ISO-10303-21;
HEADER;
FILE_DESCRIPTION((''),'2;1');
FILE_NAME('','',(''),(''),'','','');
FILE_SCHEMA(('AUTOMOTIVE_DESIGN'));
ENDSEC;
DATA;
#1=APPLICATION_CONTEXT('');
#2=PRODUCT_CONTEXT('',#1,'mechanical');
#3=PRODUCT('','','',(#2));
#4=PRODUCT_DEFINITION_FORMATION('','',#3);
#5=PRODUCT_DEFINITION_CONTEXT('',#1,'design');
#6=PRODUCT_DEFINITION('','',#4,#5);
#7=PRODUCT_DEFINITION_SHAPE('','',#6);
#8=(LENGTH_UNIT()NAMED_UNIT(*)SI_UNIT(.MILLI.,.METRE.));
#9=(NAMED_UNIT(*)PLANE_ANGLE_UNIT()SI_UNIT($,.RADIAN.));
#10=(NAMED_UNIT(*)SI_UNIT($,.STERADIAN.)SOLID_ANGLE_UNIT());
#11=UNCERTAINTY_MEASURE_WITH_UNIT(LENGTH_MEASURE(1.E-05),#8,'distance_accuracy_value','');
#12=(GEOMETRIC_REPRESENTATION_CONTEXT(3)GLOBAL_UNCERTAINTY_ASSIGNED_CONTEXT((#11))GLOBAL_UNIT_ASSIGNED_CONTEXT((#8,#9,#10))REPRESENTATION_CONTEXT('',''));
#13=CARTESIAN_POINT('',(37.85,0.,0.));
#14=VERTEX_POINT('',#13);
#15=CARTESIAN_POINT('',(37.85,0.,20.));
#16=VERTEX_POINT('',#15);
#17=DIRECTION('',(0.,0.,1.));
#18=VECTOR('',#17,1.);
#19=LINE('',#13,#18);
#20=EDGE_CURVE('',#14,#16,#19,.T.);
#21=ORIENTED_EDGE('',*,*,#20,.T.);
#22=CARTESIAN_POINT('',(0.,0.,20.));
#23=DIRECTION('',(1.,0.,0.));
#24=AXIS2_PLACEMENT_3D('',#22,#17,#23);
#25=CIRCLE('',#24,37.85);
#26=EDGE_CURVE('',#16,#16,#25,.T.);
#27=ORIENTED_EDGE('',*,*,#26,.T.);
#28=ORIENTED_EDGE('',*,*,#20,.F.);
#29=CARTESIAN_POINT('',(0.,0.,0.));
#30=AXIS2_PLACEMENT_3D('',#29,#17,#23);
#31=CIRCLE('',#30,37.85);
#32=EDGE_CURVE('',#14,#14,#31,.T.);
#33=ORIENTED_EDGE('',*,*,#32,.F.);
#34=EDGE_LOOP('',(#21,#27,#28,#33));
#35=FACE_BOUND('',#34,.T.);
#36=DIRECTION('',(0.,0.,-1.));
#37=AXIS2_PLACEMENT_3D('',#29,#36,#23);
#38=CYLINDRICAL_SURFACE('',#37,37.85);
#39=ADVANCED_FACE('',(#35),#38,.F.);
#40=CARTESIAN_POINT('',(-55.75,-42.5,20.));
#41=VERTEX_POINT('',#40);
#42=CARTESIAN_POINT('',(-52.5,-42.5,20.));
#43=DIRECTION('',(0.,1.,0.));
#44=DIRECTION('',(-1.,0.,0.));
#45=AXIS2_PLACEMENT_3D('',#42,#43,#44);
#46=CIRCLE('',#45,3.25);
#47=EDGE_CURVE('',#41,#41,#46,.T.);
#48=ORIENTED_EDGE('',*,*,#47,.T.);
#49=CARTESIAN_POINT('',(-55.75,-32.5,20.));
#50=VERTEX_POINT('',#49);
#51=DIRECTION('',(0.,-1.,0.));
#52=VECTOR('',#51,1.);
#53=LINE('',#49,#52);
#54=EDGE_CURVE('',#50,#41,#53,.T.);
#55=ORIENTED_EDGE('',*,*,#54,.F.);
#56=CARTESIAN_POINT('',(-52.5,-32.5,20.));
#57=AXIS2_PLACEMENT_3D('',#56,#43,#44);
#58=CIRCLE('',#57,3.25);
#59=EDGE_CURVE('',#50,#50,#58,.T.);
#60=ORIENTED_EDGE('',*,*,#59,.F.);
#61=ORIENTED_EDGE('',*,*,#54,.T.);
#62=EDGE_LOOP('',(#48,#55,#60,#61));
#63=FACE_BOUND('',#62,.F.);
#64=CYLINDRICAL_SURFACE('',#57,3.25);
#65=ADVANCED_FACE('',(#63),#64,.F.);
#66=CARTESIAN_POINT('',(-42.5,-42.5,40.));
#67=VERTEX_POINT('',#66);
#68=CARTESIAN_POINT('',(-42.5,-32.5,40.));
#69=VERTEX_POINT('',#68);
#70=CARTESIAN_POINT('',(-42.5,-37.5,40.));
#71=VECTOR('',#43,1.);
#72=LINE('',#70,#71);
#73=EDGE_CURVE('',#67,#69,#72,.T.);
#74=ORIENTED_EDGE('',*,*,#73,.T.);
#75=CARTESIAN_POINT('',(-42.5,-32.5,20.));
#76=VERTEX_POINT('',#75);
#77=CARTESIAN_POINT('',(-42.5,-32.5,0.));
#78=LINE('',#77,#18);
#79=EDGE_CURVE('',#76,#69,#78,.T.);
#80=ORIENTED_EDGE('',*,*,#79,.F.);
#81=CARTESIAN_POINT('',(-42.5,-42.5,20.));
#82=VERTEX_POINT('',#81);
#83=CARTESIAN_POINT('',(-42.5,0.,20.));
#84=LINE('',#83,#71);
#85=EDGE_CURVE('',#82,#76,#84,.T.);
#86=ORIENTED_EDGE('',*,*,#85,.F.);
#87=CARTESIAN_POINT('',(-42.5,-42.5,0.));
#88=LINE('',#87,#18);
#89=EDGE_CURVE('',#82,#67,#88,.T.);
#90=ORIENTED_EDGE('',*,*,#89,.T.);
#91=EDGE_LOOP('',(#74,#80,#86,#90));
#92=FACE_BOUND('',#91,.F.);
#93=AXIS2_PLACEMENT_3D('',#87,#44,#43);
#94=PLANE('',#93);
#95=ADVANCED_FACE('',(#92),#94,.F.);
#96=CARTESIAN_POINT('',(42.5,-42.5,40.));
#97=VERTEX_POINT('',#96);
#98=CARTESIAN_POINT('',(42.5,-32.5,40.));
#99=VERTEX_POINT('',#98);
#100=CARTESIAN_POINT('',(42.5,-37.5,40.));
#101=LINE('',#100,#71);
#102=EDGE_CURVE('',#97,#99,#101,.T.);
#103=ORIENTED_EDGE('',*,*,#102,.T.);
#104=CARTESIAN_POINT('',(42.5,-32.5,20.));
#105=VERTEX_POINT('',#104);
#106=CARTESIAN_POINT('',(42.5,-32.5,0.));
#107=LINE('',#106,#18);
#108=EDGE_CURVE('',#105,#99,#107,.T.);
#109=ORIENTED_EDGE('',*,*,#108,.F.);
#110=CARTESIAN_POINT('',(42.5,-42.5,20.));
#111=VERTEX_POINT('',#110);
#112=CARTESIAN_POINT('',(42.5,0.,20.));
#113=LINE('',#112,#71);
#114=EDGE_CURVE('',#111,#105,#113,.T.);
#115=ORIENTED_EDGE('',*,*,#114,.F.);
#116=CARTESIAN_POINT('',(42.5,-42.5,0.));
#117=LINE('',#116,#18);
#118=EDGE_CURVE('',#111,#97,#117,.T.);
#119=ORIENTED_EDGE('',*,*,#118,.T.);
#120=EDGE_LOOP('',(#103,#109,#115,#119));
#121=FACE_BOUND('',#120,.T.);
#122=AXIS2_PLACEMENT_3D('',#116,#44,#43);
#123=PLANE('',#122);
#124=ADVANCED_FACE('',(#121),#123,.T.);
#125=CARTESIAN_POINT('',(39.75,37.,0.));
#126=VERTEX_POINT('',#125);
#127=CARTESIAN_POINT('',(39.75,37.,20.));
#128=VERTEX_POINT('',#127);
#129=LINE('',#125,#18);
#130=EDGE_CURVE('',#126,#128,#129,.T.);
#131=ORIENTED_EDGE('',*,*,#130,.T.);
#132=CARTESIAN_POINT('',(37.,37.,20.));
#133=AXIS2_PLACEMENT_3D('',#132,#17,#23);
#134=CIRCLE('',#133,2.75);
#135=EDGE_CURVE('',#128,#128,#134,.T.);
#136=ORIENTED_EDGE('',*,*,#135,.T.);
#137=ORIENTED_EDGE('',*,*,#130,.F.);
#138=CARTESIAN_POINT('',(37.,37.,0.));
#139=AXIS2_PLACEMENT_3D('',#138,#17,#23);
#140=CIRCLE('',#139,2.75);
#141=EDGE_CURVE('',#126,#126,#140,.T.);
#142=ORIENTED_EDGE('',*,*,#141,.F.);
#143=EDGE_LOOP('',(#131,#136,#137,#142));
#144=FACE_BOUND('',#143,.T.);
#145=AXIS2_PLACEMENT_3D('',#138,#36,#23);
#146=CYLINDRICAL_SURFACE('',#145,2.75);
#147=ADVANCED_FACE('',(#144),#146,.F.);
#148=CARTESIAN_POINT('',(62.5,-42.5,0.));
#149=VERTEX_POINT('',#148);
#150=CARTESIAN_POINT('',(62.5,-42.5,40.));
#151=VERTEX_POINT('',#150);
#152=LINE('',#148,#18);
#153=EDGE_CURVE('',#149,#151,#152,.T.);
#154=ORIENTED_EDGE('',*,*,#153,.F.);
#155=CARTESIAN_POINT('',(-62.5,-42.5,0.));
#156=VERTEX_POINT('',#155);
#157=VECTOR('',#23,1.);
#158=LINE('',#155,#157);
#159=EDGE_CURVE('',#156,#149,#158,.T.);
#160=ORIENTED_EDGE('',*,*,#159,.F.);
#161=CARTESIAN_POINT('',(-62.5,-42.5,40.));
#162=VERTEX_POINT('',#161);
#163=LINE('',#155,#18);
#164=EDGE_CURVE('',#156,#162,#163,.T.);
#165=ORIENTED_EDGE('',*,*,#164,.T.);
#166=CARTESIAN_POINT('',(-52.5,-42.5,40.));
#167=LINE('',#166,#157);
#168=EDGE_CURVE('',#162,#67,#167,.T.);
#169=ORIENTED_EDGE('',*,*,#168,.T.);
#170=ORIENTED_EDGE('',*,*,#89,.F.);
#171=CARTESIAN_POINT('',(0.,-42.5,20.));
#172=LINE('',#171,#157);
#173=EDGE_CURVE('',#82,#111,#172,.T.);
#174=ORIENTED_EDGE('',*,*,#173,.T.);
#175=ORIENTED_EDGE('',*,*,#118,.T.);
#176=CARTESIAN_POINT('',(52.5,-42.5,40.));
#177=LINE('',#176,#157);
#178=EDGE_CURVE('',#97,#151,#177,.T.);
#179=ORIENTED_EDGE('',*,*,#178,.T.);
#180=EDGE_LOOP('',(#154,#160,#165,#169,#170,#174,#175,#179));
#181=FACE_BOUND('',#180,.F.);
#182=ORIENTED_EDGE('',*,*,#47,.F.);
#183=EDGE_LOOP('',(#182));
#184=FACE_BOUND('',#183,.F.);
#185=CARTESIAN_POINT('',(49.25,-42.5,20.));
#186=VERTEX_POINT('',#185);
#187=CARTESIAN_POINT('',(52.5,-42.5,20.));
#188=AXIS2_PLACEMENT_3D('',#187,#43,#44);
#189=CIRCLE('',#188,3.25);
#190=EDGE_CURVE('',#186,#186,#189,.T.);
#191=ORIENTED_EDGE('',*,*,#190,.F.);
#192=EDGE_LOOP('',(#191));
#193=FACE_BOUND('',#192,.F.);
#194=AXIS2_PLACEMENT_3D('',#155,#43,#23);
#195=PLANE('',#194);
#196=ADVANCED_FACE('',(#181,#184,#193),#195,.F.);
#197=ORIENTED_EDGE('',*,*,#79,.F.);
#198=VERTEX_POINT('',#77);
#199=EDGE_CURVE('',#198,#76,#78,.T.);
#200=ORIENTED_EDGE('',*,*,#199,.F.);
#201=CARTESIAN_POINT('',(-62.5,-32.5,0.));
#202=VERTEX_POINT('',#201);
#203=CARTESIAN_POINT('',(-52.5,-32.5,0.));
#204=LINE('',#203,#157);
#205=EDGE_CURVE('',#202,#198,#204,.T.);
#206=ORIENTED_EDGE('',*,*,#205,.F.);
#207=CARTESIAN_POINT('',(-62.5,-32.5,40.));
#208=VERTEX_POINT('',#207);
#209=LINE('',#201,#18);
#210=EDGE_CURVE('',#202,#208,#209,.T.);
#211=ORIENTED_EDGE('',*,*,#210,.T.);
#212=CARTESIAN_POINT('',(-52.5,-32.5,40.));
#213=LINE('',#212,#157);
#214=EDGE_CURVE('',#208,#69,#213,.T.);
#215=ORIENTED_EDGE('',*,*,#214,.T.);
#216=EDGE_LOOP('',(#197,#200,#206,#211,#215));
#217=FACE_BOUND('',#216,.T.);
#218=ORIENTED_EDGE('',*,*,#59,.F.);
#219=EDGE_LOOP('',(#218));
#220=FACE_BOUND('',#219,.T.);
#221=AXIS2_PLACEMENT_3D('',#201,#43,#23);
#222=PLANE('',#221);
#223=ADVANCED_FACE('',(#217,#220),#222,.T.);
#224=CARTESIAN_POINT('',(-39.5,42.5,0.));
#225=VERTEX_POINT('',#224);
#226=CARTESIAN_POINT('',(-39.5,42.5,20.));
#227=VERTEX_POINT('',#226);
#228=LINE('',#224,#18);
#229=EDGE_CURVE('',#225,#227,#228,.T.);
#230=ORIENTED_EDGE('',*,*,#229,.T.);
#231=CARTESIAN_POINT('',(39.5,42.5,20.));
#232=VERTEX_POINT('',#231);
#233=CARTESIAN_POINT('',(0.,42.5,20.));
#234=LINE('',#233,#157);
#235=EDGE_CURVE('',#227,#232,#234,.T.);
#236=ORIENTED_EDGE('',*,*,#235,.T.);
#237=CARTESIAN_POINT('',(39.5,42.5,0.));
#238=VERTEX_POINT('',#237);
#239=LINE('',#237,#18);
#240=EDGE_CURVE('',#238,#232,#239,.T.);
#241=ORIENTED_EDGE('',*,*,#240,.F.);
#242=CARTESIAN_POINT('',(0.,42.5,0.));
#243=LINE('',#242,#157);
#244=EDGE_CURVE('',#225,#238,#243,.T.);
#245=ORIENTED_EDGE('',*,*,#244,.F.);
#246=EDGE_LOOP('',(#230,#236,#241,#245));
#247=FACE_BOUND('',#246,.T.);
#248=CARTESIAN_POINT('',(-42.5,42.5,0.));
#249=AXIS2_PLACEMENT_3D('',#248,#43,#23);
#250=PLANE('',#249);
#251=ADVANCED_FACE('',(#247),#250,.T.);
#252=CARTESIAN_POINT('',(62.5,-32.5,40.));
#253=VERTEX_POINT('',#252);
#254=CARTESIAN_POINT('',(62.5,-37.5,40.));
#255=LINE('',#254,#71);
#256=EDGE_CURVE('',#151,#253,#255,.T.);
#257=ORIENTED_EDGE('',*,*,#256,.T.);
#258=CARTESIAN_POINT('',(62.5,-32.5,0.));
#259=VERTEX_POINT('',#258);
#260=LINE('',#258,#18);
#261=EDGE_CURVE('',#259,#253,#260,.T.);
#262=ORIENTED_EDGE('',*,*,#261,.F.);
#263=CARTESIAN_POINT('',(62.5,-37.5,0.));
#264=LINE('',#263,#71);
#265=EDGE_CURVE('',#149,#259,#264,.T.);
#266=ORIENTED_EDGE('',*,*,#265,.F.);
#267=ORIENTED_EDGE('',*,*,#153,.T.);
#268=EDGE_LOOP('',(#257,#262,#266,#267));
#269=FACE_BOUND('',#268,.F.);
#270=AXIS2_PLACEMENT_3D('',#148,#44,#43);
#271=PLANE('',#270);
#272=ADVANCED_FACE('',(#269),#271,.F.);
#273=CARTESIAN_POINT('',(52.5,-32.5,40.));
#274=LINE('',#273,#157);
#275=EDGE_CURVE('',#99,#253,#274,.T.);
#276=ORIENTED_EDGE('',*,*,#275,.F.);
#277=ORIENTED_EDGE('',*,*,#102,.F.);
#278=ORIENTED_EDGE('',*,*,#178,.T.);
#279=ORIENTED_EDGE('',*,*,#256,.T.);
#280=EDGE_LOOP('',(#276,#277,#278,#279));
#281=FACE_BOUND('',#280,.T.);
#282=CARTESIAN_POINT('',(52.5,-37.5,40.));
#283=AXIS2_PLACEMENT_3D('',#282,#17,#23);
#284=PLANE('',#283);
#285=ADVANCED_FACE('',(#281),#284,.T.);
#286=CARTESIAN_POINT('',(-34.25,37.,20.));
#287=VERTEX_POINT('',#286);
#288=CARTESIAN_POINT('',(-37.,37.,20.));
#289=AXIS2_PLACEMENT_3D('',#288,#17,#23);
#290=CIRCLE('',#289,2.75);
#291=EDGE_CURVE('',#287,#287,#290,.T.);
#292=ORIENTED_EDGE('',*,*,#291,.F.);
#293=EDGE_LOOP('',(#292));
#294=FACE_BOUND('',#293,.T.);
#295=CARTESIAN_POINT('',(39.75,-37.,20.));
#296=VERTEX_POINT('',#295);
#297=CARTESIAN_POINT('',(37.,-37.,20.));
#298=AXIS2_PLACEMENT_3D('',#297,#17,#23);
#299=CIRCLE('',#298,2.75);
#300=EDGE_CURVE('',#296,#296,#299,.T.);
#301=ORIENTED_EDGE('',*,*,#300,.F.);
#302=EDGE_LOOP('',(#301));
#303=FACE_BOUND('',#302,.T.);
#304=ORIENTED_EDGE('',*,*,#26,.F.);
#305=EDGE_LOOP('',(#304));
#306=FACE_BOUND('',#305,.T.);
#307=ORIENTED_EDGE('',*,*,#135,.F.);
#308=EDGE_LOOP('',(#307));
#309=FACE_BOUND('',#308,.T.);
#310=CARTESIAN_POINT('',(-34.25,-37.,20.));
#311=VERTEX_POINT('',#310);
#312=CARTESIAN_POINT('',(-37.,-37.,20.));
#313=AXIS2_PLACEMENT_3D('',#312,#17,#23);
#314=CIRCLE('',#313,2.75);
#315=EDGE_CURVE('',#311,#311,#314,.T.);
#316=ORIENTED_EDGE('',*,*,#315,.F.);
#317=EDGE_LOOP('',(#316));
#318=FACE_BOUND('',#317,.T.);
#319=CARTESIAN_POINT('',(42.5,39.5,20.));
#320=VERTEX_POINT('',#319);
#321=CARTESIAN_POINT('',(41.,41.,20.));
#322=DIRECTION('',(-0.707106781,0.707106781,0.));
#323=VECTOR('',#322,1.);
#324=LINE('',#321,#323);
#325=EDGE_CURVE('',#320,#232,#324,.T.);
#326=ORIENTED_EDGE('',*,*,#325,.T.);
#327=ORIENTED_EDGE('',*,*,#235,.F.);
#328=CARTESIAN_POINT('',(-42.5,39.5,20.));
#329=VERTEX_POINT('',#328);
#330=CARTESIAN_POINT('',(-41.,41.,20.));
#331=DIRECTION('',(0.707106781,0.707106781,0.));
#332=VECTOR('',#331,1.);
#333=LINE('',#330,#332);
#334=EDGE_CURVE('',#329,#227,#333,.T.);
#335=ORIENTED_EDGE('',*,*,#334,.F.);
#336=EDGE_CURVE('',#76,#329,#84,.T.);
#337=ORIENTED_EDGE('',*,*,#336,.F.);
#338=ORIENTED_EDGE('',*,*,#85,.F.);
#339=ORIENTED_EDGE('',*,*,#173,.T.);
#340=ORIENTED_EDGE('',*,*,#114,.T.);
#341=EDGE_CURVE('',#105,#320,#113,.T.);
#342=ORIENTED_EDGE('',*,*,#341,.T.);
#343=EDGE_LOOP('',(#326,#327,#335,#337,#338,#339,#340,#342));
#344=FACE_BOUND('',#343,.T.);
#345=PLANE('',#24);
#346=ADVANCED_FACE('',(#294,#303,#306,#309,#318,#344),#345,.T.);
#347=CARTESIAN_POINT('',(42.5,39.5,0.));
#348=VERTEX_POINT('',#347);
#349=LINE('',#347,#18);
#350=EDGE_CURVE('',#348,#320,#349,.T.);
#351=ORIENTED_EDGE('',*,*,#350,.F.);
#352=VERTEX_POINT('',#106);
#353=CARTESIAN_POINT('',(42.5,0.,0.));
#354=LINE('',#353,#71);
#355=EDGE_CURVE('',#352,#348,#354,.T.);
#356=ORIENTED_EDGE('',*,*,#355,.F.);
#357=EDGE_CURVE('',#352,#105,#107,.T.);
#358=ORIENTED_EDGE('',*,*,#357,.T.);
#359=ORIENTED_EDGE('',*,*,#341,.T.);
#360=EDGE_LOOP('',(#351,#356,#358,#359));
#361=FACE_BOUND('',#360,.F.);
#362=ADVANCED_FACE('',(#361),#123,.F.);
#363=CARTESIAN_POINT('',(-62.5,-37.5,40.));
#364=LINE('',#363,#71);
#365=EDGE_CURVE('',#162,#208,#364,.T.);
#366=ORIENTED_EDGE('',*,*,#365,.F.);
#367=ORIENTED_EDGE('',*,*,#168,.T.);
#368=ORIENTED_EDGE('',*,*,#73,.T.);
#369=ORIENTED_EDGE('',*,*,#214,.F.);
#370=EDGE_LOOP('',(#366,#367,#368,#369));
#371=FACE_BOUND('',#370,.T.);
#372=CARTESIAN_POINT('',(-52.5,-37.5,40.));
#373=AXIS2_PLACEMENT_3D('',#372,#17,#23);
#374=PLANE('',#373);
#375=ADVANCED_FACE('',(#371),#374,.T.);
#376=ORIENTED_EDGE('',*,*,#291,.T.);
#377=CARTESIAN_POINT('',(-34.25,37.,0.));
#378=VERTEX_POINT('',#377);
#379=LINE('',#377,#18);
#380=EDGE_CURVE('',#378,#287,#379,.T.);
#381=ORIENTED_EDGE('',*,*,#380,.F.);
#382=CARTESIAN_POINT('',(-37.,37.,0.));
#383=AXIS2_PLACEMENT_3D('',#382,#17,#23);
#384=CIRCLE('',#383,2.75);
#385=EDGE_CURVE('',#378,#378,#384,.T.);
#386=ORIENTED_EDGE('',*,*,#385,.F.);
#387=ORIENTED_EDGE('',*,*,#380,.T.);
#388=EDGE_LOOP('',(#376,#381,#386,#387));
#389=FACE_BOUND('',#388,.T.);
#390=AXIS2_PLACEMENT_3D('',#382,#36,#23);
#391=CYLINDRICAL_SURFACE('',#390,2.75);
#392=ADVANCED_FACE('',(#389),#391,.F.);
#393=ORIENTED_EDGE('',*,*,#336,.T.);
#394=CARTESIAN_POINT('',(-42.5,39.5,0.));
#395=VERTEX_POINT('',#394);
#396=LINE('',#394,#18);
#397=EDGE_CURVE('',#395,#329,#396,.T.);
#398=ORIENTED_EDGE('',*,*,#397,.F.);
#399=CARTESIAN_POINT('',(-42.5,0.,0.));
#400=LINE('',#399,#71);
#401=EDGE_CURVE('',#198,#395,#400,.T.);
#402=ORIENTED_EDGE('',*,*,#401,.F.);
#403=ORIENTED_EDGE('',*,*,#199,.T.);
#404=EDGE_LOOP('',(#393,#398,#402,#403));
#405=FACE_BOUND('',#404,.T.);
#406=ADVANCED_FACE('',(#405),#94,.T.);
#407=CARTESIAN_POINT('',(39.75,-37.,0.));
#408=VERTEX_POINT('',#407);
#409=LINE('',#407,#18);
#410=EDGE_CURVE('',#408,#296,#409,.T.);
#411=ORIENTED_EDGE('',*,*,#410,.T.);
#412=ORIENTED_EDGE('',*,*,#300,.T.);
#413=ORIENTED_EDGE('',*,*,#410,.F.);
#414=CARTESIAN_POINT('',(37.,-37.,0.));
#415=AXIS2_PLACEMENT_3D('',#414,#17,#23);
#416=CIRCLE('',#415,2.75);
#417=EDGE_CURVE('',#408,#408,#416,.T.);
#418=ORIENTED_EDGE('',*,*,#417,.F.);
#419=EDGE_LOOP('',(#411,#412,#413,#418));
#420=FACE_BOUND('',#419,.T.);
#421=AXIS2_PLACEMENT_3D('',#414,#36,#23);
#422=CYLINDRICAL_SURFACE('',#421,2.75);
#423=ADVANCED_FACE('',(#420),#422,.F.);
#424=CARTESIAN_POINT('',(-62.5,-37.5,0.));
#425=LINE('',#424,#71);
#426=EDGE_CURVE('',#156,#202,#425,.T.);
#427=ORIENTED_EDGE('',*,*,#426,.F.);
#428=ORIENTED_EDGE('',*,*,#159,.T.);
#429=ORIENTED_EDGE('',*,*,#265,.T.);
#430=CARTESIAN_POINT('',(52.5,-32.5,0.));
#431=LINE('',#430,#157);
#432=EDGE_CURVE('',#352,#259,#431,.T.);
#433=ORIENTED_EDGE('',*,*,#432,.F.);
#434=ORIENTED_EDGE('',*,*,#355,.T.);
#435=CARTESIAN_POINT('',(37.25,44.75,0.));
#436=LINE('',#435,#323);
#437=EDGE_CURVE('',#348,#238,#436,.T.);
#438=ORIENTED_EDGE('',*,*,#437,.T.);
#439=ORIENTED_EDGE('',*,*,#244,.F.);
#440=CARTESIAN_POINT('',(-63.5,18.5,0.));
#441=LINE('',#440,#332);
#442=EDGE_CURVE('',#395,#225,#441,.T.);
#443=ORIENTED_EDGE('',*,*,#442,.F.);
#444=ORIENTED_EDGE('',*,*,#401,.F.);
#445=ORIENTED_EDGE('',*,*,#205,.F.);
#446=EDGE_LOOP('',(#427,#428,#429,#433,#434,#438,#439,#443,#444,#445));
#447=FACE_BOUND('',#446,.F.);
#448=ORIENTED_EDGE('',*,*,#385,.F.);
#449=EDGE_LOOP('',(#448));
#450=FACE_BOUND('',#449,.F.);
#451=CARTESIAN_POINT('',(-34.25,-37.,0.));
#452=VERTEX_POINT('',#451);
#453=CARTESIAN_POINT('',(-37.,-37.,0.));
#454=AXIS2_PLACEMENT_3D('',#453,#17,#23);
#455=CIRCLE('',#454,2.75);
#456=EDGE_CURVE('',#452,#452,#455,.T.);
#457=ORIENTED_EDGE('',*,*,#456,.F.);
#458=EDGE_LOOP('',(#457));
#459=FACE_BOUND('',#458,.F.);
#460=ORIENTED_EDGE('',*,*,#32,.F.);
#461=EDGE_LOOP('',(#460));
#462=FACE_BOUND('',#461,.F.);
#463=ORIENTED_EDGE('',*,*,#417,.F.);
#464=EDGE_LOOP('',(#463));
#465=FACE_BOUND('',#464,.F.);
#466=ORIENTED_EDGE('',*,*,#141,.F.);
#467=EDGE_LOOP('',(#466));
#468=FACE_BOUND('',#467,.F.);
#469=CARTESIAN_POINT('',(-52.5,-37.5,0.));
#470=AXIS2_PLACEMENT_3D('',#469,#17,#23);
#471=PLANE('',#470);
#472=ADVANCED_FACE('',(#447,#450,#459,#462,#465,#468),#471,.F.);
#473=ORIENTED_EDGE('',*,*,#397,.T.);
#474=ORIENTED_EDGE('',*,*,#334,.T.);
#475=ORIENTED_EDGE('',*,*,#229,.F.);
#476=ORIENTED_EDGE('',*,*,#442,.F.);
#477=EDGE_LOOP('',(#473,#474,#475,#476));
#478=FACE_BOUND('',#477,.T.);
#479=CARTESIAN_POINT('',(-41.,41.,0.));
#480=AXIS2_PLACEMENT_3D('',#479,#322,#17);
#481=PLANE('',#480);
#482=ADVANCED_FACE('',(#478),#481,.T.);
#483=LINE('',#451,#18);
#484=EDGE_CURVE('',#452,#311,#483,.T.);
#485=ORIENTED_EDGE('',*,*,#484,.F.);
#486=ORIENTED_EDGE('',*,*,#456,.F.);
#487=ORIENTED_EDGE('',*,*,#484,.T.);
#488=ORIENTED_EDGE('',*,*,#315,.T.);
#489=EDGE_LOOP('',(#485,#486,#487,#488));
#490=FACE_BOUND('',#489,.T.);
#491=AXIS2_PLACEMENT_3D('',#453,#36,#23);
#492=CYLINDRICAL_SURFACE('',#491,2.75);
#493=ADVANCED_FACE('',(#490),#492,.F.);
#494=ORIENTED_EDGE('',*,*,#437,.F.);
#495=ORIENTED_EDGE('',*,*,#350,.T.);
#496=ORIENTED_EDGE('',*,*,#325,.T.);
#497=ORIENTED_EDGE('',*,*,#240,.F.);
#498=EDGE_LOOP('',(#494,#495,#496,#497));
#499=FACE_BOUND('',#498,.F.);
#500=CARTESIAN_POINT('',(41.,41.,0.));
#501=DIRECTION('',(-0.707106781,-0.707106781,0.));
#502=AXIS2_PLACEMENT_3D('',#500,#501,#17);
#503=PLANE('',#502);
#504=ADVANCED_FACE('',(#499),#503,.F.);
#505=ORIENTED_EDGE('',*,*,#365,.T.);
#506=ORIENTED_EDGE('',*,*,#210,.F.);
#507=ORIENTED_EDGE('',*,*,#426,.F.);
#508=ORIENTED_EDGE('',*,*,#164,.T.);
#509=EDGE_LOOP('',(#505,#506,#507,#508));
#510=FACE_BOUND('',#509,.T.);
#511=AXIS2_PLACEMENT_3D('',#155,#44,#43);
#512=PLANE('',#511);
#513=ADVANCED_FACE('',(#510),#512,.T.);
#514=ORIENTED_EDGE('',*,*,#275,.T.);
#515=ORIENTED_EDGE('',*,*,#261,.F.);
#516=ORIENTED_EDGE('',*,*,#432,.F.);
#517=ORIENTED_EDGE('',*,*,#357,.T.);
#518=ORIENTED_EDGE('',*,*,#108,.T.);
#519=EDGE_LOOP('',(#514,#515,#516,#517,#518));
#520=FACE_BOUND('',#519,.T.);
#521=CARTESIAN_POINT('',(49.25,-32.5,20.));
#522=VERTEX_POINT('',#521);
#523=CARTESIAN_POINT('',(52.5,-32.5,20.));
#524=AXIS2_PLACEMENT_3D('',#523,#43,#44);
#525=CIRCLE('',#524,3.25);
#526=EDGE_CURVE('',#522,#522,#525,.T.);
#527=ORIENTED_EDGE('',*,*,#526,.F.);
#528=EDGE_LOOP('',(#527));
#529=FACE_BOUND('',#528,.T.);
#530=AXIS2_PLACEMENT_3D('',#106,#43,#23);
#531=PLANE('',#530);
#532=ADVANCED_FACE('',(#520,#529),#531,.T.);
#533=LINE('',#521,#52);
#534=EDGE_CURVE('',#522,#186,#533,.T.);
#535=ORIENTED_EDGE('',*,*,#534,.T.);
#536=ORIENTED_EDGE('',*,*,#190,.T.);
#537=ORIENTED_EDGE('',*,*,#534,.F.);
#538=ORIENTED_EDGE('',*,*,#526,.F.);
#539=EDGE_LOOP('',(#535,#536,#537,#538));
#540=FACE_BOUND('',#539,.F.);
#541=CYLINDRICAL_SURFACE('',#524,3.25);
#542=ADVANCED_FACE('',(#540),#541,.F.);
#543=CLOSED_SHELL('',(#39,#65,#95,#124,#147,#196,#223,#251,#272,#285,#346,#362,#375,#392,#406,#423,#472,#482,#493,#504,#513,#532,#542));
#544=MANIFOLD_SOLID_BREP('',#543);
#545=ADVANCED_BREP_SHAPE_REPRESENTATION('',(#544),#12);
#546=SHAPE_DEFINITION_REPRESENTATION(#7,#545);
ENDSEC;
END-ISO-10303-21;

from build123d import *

# Parameters (mm, degrees)
F0_W     = 85
F0_H     = 85
F0_R     = 2.75
F0_R_2   = 37.85
F1_DEPTH = 20
F2_W     = 20
F2_H     = 10
F3_DEPTH = 40
F4_R     = 3.25
F5_DEPTH = 10.001
F6_SIZE  = 3


with BuildPart() as f1:
    # F0 (on Top) → F1 (new body)
    with BuildSketch(Plane.XY):
        Rectangle(F0_W, F0_H)
        with Locations((-37, -37)):
            Circle(F0_R, mode=Mode.SUBTRACT)
        with Locations((37, -37)):
            Circle(F0_R, mode=Mode.SUBTRACT)
        with Locations((-37, 37)):
            Circle(F0_R, mode=Mode.SUBTRACT)
        Circle(F0_R_2, mode=Mode.SUBTRACT)
        with Locations((37, 37)):
            Circle(F0_R, mode=Mode.SUBTRACT)
    extrude(amount=F1_DEPTH)

    # F2 (on Top) → F3 (join)
    with BuildSketch(Plane.XY):
        with Locations((-52.5, -37.5)):
            Rectangle(F2_W, F2_H)
        with Locations((52.5, -37.5)):
            Rectangle(F2_W, F2_H)
    extrude(amount=F3_DEPTH)

    # F4 (on face) → F5 (cut, through all)
    with BuildSketch(Plane(origin=(0, -32.5, 0), x_dir=(-1, 0, 0), z_dir=(0, 1, 0))):
        with Locations((-52.5, 20)):
            Circle(F4_R)
        with Locations((52.5, 20)):
            Circle(F4_R)
    extrude(amount=-F5_DEPTH, mode=Mode.SUBTRACT)

    # F6
    f6_edges = [f1.edges().sort_by_distance(p)[0] for p in [
        (-42.5, 42.5, 10),
        (42.5, 42.5, 10),
    ]]
    chamfer(f6_edges, length=F6_SIZE)


solid = f1.part
